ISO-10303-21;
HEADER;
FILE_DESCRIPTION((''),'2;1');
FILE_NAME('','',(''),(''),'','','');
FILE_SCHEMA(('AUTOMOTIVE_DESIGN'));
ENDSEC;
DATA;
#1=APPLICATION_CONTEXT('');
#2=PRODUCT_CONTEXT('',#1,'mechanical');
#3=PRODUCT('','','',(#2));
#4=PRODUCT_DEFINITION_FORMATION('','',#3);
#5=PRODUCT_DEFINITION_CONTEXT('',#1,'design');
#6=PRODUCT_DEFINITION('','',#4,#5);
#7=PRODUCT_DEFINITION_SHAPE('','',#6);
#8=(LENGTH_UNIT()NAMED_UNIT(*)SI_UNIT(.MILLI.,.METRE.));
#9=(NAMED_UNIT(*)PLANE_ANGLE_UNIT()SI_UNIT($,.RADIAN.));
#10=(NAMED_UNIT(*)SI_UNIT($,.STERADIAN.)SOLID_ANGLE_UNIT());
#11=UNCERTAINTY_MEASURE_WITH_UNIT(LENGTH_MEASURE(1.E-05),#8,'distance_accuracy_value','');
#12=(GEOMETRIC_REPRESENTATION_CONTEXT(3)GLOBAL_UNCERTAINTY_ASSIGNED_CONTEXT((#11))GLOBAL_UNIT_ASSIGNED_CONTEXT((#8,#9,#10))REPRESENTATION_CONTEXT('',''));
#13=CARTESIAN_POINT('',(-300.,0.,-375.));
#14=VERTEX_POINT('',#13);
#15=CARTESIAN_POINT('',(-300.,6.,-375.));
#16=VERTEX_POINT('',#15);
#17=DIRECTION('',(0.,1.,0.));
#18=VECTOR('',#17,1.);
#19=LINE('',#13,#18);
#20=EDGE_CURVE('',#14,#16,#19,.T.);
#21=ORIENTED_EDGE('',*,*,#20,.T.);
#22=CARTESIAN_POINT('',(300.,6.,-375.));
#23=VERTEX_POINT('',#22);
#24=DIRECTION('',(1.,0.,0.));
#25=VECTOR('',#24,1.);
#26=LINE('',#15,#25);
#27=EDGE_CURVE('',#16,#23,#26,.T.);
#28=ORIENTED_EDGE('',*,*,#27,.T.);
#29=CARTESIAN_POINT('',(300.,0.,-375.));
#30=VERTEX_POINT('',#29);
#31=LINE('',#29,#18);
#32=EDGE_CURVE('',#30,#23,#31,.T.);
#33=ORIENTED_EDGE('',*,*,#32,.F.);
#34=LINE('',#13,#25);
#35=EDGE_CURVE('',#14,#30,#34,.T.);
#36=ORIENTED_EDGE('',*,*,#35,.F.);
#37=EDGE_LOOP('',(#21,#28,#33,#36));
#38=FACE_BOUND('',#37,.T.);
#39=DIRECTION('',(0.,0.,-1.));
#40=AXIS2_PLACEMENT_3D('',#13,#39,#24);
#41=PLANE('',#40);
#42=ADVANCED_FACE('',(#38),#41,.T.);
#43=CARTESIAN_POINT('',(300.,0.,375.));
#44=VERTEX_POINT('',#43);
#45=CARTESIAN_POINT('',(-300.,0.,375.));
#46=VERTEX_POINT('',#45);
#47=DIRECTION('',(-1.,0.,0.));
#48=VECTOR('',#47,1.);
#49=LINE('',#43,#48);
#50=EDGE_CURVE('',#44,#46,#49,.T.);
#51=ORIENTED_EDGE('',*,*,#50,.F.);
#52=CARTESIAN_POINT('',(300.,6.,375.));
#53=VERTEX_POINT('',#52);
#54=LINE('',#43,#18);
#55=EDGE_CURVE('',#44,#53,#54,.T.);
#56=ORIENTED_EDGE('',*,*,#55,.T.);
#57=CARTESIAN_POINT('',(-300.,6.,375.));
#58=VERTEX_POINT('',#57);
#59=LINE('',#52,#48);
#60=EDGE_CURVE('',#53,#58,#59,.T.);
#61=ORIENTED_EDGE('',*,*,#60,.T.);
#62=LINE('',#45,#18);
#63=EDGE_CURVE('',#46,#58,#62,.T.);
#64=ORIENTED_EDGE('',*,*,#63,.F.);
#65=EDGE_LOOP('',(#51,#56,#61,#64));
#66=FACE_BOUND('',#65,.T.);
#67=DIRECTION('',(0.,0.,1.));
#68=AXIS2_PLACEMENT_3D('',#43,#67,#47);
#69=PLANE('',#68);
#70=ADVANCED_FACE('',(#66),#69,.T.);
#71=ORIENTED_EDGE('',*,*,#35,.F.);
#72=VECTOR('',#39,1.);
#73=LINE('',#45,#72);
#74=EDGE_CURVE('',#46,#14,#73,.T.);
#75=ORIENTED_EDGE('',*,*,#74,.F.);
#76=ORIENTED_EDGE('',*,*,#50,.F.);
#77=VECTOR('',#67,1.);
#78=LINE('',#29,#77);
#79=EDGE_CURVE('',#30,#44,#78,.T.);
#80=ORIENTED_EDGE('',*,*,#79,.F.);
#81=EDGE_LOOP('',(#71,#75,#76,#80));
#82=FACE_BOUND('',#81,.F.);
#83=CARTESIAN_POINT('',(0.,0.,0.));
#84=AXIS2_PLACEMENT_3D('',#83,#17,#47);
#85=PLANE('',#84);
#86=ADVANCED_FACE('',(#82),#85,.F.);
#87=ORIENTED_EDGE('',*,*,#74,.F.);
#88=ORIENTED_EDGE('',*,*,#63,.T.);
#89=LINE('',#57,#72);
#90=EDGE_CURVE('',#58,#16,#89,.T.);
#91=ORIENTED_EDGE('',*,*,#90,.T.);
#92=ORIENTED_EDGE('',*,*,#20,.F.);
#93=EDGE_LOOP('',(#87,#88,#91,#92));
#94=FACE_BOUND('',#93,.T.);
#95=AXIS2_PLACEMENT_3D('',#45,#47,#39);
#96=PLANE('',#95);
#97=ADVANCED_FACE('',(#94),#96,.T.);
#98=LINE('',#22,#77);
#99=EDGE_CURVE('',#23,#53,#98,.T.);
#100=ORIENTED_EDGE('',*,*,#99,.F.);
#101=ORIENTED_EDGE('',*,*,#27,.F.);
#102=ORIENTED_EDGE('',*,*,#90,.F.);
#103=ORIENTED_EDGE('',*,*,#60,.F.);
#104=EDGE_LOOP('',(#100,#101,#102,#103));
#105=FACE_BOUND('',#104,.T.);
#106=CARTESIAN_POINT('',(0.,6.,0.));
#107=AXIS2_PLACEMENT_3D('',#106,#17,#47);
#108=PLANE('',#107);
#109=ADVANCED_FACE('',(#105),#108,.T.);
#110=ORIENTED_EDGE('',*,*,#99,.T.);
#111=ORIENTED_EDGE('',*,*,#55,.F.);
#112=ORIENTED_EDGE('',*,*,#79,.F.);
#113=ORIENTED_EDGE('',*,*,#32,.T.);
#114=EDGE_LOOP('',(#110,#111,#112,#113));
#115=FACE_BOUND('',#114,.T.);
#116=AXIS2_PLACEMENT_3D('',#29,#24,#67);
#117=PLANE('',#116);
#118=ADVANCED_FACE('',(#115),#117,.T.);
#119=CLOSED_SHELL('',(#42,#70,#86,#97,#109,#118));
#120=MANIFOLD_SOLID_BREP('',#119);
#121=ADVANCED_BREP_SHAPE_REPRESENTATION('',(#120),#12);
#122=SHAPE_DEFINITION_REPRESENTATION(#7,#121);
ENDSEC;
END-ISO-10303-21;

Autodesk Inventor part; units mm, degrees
ref_plane "YZ Plane" through (0, 0, 0) normal (1, 0, 0) x (0, 1, 0)
ref_plane "XZ Plane" through (0, 0, 0) normal (0, 1, 0) x (-1, 0, 0)
ref_plane "XY Plane" through (0, 0, 0) normal (0, 0, 1) x (1, 0, 0)
sketch "Sketch1" plane through (0, 0, 0) normal (0, 1, 0) x (-1, 0, 0)
  line L0 (-300, 375) -> (300, 375)
  line L1 (300, 375) -> (300, -375)
  line L2 (300, -375) -> (-300, -375)
  line L3 (-300, -375) -> (-300, 375)
  line L4 (-300, 375) -> (300, -375) construction
  line L5 (300, 375) -> (-300, -375) construction
  point P0 (0, 0)
  dimension "d0" = 600
  dimension "d1" = 750
extrude "Extrusion1" add sketch "Sketch1" along normal blind 6
properties part number "Base"
